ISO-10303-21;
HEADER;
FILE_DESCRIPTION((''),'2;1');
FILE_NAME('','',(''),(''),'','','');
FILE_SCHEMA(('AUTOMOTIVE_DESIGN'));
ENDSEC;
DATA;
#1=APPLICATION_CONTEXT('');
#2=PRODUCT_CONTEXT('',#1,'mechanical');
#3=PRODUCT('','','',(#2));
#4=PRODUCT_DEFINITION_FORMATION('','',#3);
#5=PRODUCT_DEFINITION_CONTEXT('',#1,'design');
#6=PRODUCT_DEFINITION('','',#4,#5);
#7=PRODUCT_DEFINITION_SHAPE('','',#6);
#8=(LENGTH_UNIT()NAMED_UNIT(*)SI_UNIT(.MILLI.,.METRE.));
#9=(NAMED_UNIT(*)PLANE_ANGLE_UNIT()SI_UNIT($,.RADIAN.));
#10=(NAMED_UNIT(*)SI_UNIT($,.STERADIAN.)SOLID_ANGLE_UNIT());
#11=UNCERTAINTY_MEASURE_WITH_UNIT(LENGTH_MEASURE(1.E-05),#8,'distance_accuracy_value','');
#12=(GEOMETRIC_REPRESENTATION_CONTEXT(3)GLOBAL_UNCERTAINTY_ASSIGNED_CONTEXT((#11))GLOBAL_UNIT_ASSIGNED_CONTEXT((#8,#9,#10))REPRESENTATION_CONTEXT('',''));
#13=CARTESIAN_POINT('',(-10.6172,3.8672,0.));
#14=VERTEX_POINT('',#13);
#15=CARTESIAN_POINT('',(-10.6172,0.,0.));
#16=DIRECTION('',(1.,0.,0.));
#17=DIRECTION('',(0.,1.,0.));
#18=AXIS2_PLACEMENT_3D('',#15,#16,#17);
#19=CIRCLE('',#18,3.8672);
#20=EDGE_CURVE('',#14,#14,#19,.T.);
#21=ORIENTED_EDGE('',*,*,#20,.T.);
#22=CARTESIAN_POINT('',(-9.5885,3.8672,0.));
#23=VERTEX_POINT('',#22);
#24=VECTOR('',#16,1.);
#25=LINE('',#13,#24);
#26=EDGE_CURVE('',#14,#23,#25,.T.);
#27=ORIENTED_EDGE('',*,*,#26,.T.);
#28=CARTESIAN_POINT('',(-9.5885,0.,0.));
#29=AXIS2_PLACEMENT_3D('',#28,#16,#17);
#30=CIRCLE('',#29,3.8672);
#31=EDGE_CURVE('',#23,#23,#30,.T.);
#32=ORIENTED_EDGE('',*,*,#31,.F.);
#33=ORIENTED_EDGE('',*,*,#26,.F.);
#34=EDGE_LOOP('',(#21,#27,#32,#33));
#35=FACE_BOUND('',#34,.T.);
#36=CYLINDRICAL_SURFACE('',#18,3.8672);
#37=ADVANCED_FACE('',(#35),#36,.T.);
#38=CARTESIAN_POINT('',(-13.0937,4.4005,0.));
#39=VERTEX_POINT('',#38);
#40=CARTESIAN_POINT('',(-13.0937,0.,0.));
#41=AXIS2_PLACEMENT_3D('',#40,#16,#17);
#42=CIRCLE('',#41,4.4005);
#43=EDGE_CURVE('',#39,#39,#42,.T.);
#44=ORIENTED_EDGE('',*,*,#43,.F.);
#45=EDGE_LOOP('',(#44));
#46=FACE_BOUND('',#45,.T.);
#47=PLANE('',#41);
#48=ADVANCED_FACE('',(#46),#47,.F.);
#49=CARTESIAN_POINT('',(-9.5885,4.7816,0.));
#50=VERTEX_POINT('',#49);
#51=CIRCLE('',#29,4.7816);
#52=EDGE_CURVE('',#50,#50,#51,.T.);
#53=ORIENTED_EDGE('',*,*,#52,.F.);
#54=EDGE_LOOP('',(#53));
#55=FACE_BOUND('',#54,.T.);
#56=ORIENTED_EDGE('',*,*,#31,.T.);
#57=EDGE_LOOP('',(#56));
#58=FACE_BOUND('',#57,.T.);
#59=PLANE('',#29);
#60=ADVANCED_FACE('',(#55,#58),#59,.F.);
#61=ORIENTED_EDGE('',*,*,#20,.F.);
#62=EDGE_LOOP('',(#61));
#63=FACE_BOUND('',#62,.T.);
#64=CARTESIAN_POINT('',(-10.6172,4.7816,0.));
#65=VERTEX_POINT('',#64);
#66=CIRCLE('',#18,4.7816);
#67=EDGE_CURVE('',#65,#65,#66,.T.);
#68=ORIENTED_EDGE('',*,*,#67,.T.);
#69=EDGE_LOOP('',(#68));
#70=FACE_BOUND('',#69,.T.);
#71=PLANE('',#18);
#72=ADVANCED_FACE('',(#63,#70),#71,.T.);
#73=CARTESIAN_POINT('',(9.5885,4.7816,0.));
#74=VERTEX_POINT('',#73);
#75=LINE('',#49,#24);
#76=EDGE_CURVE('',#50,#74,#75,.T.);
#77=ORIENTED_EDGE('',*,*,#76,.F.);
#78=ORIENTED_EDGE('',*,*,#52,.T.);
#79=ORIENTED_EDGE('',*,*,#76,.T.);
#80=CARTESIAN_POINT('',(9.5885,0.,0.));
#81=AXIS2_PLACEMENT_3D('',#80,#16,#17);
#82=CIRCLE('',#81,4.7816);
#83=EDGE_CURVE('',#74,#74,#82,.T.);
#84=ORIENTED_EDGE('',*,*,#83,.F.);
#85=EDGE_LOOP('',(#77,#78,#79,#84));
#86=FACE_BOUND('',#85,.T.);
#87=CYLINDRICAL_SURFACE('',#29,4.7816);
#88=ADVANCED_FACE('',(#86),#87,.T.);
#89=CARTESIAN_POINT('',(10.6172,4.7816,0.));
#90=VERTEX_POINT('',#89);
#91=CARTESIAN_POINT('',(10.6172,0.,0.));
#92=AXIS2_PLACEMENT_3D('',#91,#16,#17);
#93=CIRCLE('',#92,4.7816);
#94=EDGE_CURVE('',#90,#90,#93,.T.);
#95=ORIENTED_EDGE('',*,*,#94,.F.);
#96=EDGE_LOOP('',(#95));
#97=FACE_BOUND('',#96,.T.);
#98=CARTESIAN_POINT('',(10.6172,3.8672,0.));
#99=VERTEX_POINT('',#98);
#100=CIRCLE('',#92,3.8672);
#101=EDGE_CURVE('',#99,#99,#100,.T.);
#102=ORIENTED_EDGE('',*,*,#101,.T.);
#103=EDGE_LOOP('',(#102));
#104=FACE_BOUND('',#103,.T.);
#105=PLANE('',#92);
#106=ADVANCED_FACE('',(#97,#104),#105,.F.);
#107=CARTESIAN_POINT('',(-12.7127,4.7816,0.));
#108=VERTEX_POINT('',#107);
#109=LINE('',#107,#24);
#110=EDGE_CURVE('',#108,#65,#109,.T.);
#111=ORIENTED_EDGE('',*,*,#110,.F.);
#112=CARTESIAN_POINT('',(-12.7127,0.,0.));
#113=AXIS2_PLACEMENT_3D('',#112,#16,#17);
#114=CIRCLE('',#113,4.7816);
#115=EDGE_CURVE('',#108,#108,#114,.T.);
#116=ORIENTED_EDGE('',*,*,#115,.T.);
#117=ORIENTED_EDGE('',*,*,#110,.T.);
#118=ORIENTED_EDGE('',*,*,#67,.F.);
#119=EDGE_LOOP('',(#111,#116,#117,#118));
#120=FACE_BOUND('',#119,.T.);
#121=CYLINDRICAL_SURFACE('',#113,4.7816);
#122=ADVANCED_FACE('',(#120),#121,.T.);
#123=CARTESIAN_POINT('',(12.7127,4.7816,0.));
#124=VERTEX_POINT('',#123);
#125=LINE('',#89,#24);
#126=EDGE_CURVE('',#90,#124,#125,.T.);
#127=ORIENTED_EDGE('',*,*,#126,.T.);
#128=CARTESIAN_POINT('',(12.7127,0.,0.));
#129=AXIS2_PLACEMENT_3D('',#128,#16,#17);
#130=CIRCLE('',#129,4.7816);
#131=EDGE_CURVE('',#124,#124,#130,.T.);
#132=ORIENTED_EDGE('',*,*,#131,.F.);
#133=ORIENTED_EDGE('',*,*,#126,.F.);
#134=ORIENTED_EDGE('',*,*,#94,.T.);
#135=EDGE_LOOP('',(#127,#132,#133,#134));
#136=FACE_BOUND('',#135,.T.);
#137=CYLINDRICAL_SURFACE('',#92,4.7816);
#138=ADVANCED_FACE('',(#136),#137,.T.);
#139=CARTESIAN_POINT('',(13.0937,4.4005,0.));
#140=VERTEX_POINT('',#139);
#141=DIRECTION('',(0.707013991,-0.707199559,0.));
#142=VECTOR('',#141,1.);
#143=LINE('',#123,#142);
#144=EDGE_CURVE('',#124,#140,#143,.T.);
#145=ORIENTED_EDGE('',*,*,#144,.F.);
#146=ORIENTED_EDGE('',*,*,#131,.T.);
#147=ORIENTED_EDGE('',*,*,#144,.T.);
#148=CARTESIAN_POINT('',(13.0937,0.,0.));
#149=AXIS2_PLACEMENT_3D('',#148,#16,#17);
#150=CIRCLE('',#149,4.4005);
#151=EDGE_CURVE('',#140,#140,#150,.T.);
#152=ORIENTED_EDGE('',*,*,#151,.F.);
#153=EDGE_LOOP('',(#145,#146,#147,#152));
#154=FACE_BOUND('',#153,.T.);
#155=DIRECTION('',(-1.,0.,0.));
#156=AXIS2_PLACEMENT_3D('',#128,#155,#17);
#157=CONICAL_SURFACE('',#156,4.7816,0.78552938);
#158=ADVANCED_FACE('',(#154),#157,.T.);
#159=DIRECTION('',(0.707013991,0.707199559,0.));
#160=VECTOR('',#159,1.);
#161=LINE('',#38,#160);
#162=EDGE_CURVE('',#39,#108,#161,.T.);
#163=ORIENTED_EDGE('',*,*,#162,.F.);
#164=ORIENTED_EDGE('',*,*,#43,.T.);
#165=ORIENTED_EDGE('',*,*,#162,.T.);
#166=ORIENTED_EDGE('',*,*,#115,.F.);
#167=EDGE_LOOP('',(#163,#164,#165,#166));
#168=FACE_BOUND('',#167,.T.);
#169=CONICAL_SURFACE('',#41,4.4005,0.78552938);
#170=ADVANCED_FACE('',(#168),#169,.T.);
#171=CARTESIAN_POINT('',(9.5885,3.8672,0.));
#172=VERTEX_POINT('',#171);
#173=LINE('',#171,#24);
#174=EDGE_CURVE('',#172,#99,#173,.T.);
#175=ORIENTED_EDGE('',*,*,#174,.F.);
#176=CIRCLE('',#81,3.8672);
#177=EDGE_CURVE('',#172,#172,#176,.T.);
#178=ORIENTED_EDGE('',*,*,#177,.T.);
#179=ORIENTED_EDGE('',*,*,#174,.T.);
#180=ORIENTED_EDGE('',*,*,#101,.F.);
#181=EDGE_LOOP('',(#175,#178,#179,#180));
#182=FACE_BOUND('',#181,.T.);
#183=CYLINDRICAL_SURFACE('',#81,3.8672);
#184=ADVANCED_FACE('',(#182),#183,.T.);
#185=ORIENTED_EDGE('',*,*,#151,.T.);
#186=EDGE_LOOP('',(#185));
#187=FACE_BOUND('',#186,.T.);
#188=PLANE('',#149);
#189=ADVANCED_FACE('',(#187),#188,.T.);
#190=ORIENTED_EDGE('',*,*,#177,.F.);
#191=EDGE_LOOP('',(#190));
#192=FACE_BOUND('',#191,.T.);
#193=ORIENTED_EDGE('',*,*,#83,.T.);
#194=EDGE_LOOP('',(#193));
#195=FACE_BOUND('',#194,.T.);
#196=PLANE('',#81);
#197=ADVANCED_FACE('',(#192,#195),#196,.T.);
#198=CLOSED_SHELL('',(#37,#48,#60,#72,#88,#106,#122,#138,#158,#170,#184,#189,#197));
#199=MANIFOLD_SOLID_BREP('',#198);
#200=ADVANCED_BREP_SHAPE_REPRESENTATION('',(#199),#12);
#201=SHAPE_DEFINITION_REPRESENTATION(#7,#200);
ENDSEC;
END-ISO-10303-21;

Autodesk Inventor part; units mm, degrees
sketch "Sketch_1" plane through (0, 0, 0) normal (0, 0, 1) x (1, 0, 0)
  line L0 (13.0937, 0) -> (-13.0937, 0)
  line L1 (-13.0937, 0) -> (-13.0937, 4.4005)
  line L2 (-13.0937, 4.4005) -> (-12.7127, 4.7816)
  line L3 (-12.7127, 4.7816) -> (-10.6172, 4.7816)
  line L4 (-10.6172, 4.7816) -> (-10.6172, 3.8672)
  line L5 (-10.6172, 3.8672) -> (-9.5885, 3.8672)
  line L6 (-9.5885, 3.8672) -> (-9.5885, 4.7816)
  line L7 (-9.5885, 4.7816) -> (9.5885, 4.7816)
  line L8 (9.5885, 4.7816) -> (9.5885, 3.8672)
  line L9 (9.5885, 3.8672) -> (10.6172, 3.8672)
  line L10 (10.6172, 3.8672) -> (10.6172, 4.7816)
  line L11 (10.6172, 4.7816) -> (12.7127, 4.7816)
  line L12 (12.7127, 4.7816) -> (13.0937, 4.4005)
  line L13 (13.0937, 4.4005) -> (13.0937, 0)
  line L14 (13.0937, 0) -> (-13.0937, 0)
revolve "Revolution1" add sketch "Sketch_1" angle 360 about axis through (13.0937, 0, 0) along (1, 0, 0)
ref_plane "p1_XY" through (0, 0, 4.7816) normal (1, 0, 0) x (0, 0, -1)
ref_plane "p1_YZ" through (0, 0, 4.7816) normal (0, 0, -1) x (0, 1, 0)
ref_plane "p1_ZX" through (0, 0, 4.7816) normal (0, 1, 0) x (1, 0, 0)
ref_plane "p2_XY" through (0, 0, -4.7816) normal (1, 0, 0) x (0, 0, -1)
ref_plane "p2_YZ" through (0, 0, -4.7816) normal (0, 0, -1) x (0, 1, 0)
ref_plane "p2_ZX" through (0, 0, -4.7816) normal (0, 1, 0) x (1, 0, 0)
ref_plane "pin_XY" through (0, 0, 0) normal (1, 0, 0) x (0, 0, -1)
ref_plane "pin_YZ" through (0, 0, 0) normal (0, 0, -1) x (0, 1, 0)
ref_plane "pin_ZX" through (0, 0, 0) normal (0, 1, 0) x (1, 0, 0)
ref_plane "rr1_XY" through (10.1029, 0, 0) normal (1, 0, 0) x (0, 0, -1)
ref_plane "rr1_YZ" through (10.1029, 0, 0) normal (0, 0, -1) x (0, 1, 0)
ref_plane "rr1_ZX" through (10.1029, 0, 0) normal (0, 1, 0) x (1, 0, 0)
ref_plane "rr2_XY" through (-10.1029, 0, 0) normal (1, 0, 0) x (0, 0, -1)
ref_plane "rr2_YZ" through (-10.1029, 0, 0) normal (0, 0, -1) x (0, 1, 0)
ref_plane "rr2_ZX" through (-10.1029, 0, 0) normal (0, 1, 0) x (1, 0, 0)
ref_plane "w21_XY" through (13.0937, 0, 0) normal (0, 1, 0) x (1, 0, 0)
ref_plane "w21_YZ" through (13.0937, 0, 0) normal (1, 0, 0) x (0, 0, -1)
ref_plane "w21_ZX" through (13.0937, 0, 0) normal (0, 0, -1) x (0, 1, 0)
ref_plane "w22_XY" through (-13.0937, 0, 0) normal (0, 1, 0) x (1, 0, 0)
ref_plane "w22_YZ" through (-13.0937, 0, 0) normal (1, 0, 0) x (0, 0, -1)
ref_plane "w22_ZX" through (-13.0937, 0, 0) normal (0, 0, -1) x (0, 1, 0)
equation "\"BendRadius\" = Thickness"
equation "\"BendReliefWidth\" = Thickness"
equation "\"BendReliefDepth\" = 0.5 * Thickness"
equation "\"CornerReliefSize\" = 4 * Thickness"
equation "\"MinimumRemnant\" = 2 * Thickness"
equation "\"TransitionRadius\" = BendRadius"
equation "\"JacobiRadiusSize\" = Thickness"
equation "\"GapSize\" = Thickness"
equation "\"Thickness\" = 3.048"
properties part number "D-8383"
